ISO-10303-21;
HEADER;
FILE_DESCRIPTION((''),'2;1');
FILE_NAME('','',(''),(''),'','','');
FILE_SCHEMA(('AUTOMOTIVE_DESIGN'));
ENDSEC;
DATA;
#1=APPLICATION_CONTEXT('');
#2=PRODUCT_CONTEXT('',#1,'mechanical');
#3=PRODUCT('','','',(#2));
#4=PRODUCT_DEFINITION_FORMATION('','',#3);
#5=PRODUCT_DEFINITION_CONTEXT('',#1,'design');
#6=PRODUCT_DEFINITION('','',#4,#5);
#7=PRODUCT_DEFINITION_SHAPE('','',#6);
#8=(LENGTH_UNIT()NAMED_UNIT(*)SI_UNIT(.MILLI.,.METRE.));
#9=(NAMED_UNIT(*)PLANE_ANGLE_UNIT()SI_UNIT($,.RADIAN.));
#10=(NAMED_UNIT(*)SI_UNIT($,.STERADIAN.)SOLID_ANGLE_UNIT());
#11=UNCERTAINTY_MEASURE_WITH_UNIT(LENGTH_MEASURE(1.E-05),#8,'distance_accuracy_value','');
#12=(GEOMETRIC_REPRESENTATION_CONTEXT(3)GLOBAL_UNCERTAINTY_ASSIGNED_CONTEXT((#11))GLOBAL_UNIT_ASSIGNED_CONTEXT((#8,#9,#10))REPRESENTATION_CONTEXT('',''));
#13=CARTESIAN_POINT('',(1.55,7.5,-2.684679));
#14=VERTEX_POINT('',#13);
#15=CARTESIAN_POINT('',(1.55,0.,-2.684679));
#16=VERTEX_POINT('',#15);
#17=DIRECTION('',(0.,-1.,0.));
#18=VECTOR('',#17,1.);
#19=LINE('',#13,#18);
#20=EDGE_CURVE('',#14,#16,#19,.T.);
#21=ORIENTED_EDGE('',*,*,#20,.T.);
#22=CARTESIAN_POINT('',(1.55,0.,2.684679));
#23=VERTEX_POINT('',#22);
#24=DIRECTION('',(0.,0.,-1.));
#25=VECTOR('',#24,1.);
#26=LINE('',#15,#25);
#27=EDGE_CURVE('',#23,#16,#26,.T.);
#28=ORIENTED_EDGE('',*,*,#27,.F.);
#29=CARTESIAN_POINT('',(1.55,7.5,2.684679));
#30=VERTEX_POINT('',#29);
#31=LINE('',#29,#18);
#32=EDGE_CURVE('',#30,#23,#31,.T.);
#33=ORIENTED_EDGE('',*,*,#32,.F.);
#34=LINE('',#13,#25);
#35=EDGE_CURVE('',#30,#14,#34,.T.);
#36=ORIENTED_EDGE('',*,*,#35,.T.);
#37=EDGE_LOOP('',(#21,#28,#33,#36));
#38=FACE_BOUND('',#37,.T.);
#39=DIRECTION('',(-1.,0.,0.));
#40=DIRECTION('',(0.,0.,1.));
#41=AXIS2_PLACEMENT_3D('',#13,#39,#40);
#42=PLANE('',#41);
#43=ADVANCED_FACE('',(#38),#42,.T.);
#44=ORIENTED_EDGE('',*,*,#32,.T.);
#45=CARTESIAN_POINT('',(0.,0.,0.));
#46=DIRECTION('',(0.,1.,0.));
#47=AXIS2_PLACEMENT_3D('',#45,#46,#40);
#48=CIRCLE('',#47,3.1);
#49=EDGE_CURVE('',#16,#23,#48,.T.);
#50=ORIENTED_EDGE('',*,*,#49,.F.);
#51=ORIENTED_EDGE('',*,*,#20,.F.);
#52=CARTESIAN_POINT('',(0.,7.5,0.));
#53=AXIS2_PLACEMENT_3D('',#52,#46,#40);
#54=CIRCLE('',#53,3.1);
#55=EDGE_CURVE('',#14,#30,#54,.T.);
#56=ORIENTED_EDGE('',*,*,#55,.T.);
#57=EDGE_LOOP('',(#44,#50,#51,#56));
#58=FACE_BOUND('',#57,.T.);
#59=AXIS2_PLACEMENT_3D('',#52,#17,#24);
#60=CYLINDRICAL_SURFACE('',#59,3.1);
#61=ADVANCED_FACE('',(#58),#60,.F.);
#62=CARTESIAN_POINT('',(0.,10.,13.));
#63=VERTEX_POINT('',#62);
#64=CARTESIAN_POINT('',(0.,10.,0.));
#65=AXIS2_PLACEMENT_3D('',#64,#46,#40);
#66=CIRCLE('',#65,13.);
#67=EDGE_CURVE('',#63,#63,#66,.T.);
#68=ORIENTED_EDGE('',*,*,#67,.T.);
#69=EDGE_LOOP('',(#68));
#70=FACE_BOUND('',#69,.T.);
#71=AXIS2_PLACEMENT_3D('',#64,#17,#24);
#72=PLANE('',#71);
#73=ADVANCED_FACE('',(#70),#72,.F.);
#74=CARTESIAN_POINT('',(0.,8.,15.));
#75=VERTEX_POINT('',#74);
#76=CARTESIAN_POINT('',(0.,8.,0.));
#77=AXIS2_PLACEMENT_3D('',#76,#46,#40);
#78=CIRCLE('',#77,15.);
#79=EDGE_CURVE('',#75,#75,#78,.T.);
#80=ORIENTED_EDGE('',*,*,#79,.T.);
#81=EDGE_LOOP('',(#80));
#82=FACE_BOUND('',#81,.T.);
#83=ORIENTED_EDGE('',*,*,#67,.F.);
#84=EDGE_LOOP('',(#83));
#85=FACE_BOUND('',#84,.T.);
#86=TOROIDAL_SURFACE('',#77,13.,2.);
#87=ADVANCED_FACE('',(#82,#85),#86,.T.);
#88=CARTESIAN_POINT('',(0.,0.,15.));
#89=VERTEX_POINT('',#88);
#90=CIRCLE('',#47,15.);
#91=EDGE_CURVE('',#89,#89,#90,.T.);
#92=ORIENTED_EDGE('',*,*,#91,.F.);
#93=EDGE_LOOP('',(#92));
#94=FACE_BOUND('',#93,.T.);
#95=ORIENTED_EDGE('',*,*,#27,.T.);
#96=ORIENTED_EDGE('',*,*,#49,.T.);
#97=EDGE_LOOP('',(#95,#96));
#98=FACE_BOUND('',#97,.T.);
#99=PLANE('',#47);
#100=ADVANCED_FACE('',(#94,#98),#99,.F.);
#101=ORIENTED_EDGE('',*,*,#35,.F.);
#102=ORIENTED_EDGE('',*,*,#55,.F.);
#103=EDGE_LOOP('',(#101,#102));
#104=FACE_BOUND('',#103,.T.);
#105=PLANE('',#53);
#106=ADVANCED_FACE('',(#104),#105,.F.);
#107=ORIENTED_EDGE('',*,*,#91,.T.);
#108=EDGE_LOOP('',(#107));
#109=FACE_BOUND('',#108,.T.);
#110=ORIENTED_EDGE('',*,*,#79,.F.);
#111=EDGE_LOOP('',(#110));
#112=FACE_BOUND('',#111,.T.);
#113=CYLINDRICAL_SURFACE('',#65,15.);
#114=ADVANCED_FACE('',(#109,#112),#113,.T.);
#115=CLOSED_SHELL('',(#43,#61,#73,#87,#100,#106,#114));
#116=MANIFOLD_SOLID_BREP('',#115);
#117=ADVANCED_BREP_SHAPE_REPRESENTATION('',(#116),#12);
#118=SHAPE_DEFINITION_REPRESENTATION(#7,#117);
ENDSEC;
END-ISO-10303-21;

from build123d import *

# Parameters (mm, degrees)
CUT_EXTRUDE2_DEPTH = 7.5


with BuildPart() as part:
    # Sketch2 → Revolve1 (revolve)
    with BuildSketch(Plane(origin=(0, 0, 0), x_dir=(0, 0, -1), z_dir=(1, 0, 0))):
        with BuildLine():
            ThreePointArc((-15, 8), (-14.414213562, 9.414213562), (-13, 10))
            Line((-13, 10), (0, 10))
            Line((0, 10), (0, 0))
            Line((0, 0), (-15, 0))
            Line((-15, 0), (-15, 8))
        make_face()
    revolve(axis=Axis((0, 10, 0), (0, -1, 0)))

    # Sketch1 → Cut-Extrude2 (cut)
    with BuildSketch(Plane(origin=(0, 0, 0), x_dir=(1, 0, 0), z_dir=(0, 1, 0))):
        with BuildLine():
            Line((1.55, 2.684678752), (1.55, -2.684678752))
            ThreePointArc((1.55, -2.684678752), (-3.1, 0), (1.55, 2.684678752))
        make_face()
    extrude(amount=CUT_EXTRUDE2_DEPTH, mode=Mode.SUBTRACT)


solid = part.part
